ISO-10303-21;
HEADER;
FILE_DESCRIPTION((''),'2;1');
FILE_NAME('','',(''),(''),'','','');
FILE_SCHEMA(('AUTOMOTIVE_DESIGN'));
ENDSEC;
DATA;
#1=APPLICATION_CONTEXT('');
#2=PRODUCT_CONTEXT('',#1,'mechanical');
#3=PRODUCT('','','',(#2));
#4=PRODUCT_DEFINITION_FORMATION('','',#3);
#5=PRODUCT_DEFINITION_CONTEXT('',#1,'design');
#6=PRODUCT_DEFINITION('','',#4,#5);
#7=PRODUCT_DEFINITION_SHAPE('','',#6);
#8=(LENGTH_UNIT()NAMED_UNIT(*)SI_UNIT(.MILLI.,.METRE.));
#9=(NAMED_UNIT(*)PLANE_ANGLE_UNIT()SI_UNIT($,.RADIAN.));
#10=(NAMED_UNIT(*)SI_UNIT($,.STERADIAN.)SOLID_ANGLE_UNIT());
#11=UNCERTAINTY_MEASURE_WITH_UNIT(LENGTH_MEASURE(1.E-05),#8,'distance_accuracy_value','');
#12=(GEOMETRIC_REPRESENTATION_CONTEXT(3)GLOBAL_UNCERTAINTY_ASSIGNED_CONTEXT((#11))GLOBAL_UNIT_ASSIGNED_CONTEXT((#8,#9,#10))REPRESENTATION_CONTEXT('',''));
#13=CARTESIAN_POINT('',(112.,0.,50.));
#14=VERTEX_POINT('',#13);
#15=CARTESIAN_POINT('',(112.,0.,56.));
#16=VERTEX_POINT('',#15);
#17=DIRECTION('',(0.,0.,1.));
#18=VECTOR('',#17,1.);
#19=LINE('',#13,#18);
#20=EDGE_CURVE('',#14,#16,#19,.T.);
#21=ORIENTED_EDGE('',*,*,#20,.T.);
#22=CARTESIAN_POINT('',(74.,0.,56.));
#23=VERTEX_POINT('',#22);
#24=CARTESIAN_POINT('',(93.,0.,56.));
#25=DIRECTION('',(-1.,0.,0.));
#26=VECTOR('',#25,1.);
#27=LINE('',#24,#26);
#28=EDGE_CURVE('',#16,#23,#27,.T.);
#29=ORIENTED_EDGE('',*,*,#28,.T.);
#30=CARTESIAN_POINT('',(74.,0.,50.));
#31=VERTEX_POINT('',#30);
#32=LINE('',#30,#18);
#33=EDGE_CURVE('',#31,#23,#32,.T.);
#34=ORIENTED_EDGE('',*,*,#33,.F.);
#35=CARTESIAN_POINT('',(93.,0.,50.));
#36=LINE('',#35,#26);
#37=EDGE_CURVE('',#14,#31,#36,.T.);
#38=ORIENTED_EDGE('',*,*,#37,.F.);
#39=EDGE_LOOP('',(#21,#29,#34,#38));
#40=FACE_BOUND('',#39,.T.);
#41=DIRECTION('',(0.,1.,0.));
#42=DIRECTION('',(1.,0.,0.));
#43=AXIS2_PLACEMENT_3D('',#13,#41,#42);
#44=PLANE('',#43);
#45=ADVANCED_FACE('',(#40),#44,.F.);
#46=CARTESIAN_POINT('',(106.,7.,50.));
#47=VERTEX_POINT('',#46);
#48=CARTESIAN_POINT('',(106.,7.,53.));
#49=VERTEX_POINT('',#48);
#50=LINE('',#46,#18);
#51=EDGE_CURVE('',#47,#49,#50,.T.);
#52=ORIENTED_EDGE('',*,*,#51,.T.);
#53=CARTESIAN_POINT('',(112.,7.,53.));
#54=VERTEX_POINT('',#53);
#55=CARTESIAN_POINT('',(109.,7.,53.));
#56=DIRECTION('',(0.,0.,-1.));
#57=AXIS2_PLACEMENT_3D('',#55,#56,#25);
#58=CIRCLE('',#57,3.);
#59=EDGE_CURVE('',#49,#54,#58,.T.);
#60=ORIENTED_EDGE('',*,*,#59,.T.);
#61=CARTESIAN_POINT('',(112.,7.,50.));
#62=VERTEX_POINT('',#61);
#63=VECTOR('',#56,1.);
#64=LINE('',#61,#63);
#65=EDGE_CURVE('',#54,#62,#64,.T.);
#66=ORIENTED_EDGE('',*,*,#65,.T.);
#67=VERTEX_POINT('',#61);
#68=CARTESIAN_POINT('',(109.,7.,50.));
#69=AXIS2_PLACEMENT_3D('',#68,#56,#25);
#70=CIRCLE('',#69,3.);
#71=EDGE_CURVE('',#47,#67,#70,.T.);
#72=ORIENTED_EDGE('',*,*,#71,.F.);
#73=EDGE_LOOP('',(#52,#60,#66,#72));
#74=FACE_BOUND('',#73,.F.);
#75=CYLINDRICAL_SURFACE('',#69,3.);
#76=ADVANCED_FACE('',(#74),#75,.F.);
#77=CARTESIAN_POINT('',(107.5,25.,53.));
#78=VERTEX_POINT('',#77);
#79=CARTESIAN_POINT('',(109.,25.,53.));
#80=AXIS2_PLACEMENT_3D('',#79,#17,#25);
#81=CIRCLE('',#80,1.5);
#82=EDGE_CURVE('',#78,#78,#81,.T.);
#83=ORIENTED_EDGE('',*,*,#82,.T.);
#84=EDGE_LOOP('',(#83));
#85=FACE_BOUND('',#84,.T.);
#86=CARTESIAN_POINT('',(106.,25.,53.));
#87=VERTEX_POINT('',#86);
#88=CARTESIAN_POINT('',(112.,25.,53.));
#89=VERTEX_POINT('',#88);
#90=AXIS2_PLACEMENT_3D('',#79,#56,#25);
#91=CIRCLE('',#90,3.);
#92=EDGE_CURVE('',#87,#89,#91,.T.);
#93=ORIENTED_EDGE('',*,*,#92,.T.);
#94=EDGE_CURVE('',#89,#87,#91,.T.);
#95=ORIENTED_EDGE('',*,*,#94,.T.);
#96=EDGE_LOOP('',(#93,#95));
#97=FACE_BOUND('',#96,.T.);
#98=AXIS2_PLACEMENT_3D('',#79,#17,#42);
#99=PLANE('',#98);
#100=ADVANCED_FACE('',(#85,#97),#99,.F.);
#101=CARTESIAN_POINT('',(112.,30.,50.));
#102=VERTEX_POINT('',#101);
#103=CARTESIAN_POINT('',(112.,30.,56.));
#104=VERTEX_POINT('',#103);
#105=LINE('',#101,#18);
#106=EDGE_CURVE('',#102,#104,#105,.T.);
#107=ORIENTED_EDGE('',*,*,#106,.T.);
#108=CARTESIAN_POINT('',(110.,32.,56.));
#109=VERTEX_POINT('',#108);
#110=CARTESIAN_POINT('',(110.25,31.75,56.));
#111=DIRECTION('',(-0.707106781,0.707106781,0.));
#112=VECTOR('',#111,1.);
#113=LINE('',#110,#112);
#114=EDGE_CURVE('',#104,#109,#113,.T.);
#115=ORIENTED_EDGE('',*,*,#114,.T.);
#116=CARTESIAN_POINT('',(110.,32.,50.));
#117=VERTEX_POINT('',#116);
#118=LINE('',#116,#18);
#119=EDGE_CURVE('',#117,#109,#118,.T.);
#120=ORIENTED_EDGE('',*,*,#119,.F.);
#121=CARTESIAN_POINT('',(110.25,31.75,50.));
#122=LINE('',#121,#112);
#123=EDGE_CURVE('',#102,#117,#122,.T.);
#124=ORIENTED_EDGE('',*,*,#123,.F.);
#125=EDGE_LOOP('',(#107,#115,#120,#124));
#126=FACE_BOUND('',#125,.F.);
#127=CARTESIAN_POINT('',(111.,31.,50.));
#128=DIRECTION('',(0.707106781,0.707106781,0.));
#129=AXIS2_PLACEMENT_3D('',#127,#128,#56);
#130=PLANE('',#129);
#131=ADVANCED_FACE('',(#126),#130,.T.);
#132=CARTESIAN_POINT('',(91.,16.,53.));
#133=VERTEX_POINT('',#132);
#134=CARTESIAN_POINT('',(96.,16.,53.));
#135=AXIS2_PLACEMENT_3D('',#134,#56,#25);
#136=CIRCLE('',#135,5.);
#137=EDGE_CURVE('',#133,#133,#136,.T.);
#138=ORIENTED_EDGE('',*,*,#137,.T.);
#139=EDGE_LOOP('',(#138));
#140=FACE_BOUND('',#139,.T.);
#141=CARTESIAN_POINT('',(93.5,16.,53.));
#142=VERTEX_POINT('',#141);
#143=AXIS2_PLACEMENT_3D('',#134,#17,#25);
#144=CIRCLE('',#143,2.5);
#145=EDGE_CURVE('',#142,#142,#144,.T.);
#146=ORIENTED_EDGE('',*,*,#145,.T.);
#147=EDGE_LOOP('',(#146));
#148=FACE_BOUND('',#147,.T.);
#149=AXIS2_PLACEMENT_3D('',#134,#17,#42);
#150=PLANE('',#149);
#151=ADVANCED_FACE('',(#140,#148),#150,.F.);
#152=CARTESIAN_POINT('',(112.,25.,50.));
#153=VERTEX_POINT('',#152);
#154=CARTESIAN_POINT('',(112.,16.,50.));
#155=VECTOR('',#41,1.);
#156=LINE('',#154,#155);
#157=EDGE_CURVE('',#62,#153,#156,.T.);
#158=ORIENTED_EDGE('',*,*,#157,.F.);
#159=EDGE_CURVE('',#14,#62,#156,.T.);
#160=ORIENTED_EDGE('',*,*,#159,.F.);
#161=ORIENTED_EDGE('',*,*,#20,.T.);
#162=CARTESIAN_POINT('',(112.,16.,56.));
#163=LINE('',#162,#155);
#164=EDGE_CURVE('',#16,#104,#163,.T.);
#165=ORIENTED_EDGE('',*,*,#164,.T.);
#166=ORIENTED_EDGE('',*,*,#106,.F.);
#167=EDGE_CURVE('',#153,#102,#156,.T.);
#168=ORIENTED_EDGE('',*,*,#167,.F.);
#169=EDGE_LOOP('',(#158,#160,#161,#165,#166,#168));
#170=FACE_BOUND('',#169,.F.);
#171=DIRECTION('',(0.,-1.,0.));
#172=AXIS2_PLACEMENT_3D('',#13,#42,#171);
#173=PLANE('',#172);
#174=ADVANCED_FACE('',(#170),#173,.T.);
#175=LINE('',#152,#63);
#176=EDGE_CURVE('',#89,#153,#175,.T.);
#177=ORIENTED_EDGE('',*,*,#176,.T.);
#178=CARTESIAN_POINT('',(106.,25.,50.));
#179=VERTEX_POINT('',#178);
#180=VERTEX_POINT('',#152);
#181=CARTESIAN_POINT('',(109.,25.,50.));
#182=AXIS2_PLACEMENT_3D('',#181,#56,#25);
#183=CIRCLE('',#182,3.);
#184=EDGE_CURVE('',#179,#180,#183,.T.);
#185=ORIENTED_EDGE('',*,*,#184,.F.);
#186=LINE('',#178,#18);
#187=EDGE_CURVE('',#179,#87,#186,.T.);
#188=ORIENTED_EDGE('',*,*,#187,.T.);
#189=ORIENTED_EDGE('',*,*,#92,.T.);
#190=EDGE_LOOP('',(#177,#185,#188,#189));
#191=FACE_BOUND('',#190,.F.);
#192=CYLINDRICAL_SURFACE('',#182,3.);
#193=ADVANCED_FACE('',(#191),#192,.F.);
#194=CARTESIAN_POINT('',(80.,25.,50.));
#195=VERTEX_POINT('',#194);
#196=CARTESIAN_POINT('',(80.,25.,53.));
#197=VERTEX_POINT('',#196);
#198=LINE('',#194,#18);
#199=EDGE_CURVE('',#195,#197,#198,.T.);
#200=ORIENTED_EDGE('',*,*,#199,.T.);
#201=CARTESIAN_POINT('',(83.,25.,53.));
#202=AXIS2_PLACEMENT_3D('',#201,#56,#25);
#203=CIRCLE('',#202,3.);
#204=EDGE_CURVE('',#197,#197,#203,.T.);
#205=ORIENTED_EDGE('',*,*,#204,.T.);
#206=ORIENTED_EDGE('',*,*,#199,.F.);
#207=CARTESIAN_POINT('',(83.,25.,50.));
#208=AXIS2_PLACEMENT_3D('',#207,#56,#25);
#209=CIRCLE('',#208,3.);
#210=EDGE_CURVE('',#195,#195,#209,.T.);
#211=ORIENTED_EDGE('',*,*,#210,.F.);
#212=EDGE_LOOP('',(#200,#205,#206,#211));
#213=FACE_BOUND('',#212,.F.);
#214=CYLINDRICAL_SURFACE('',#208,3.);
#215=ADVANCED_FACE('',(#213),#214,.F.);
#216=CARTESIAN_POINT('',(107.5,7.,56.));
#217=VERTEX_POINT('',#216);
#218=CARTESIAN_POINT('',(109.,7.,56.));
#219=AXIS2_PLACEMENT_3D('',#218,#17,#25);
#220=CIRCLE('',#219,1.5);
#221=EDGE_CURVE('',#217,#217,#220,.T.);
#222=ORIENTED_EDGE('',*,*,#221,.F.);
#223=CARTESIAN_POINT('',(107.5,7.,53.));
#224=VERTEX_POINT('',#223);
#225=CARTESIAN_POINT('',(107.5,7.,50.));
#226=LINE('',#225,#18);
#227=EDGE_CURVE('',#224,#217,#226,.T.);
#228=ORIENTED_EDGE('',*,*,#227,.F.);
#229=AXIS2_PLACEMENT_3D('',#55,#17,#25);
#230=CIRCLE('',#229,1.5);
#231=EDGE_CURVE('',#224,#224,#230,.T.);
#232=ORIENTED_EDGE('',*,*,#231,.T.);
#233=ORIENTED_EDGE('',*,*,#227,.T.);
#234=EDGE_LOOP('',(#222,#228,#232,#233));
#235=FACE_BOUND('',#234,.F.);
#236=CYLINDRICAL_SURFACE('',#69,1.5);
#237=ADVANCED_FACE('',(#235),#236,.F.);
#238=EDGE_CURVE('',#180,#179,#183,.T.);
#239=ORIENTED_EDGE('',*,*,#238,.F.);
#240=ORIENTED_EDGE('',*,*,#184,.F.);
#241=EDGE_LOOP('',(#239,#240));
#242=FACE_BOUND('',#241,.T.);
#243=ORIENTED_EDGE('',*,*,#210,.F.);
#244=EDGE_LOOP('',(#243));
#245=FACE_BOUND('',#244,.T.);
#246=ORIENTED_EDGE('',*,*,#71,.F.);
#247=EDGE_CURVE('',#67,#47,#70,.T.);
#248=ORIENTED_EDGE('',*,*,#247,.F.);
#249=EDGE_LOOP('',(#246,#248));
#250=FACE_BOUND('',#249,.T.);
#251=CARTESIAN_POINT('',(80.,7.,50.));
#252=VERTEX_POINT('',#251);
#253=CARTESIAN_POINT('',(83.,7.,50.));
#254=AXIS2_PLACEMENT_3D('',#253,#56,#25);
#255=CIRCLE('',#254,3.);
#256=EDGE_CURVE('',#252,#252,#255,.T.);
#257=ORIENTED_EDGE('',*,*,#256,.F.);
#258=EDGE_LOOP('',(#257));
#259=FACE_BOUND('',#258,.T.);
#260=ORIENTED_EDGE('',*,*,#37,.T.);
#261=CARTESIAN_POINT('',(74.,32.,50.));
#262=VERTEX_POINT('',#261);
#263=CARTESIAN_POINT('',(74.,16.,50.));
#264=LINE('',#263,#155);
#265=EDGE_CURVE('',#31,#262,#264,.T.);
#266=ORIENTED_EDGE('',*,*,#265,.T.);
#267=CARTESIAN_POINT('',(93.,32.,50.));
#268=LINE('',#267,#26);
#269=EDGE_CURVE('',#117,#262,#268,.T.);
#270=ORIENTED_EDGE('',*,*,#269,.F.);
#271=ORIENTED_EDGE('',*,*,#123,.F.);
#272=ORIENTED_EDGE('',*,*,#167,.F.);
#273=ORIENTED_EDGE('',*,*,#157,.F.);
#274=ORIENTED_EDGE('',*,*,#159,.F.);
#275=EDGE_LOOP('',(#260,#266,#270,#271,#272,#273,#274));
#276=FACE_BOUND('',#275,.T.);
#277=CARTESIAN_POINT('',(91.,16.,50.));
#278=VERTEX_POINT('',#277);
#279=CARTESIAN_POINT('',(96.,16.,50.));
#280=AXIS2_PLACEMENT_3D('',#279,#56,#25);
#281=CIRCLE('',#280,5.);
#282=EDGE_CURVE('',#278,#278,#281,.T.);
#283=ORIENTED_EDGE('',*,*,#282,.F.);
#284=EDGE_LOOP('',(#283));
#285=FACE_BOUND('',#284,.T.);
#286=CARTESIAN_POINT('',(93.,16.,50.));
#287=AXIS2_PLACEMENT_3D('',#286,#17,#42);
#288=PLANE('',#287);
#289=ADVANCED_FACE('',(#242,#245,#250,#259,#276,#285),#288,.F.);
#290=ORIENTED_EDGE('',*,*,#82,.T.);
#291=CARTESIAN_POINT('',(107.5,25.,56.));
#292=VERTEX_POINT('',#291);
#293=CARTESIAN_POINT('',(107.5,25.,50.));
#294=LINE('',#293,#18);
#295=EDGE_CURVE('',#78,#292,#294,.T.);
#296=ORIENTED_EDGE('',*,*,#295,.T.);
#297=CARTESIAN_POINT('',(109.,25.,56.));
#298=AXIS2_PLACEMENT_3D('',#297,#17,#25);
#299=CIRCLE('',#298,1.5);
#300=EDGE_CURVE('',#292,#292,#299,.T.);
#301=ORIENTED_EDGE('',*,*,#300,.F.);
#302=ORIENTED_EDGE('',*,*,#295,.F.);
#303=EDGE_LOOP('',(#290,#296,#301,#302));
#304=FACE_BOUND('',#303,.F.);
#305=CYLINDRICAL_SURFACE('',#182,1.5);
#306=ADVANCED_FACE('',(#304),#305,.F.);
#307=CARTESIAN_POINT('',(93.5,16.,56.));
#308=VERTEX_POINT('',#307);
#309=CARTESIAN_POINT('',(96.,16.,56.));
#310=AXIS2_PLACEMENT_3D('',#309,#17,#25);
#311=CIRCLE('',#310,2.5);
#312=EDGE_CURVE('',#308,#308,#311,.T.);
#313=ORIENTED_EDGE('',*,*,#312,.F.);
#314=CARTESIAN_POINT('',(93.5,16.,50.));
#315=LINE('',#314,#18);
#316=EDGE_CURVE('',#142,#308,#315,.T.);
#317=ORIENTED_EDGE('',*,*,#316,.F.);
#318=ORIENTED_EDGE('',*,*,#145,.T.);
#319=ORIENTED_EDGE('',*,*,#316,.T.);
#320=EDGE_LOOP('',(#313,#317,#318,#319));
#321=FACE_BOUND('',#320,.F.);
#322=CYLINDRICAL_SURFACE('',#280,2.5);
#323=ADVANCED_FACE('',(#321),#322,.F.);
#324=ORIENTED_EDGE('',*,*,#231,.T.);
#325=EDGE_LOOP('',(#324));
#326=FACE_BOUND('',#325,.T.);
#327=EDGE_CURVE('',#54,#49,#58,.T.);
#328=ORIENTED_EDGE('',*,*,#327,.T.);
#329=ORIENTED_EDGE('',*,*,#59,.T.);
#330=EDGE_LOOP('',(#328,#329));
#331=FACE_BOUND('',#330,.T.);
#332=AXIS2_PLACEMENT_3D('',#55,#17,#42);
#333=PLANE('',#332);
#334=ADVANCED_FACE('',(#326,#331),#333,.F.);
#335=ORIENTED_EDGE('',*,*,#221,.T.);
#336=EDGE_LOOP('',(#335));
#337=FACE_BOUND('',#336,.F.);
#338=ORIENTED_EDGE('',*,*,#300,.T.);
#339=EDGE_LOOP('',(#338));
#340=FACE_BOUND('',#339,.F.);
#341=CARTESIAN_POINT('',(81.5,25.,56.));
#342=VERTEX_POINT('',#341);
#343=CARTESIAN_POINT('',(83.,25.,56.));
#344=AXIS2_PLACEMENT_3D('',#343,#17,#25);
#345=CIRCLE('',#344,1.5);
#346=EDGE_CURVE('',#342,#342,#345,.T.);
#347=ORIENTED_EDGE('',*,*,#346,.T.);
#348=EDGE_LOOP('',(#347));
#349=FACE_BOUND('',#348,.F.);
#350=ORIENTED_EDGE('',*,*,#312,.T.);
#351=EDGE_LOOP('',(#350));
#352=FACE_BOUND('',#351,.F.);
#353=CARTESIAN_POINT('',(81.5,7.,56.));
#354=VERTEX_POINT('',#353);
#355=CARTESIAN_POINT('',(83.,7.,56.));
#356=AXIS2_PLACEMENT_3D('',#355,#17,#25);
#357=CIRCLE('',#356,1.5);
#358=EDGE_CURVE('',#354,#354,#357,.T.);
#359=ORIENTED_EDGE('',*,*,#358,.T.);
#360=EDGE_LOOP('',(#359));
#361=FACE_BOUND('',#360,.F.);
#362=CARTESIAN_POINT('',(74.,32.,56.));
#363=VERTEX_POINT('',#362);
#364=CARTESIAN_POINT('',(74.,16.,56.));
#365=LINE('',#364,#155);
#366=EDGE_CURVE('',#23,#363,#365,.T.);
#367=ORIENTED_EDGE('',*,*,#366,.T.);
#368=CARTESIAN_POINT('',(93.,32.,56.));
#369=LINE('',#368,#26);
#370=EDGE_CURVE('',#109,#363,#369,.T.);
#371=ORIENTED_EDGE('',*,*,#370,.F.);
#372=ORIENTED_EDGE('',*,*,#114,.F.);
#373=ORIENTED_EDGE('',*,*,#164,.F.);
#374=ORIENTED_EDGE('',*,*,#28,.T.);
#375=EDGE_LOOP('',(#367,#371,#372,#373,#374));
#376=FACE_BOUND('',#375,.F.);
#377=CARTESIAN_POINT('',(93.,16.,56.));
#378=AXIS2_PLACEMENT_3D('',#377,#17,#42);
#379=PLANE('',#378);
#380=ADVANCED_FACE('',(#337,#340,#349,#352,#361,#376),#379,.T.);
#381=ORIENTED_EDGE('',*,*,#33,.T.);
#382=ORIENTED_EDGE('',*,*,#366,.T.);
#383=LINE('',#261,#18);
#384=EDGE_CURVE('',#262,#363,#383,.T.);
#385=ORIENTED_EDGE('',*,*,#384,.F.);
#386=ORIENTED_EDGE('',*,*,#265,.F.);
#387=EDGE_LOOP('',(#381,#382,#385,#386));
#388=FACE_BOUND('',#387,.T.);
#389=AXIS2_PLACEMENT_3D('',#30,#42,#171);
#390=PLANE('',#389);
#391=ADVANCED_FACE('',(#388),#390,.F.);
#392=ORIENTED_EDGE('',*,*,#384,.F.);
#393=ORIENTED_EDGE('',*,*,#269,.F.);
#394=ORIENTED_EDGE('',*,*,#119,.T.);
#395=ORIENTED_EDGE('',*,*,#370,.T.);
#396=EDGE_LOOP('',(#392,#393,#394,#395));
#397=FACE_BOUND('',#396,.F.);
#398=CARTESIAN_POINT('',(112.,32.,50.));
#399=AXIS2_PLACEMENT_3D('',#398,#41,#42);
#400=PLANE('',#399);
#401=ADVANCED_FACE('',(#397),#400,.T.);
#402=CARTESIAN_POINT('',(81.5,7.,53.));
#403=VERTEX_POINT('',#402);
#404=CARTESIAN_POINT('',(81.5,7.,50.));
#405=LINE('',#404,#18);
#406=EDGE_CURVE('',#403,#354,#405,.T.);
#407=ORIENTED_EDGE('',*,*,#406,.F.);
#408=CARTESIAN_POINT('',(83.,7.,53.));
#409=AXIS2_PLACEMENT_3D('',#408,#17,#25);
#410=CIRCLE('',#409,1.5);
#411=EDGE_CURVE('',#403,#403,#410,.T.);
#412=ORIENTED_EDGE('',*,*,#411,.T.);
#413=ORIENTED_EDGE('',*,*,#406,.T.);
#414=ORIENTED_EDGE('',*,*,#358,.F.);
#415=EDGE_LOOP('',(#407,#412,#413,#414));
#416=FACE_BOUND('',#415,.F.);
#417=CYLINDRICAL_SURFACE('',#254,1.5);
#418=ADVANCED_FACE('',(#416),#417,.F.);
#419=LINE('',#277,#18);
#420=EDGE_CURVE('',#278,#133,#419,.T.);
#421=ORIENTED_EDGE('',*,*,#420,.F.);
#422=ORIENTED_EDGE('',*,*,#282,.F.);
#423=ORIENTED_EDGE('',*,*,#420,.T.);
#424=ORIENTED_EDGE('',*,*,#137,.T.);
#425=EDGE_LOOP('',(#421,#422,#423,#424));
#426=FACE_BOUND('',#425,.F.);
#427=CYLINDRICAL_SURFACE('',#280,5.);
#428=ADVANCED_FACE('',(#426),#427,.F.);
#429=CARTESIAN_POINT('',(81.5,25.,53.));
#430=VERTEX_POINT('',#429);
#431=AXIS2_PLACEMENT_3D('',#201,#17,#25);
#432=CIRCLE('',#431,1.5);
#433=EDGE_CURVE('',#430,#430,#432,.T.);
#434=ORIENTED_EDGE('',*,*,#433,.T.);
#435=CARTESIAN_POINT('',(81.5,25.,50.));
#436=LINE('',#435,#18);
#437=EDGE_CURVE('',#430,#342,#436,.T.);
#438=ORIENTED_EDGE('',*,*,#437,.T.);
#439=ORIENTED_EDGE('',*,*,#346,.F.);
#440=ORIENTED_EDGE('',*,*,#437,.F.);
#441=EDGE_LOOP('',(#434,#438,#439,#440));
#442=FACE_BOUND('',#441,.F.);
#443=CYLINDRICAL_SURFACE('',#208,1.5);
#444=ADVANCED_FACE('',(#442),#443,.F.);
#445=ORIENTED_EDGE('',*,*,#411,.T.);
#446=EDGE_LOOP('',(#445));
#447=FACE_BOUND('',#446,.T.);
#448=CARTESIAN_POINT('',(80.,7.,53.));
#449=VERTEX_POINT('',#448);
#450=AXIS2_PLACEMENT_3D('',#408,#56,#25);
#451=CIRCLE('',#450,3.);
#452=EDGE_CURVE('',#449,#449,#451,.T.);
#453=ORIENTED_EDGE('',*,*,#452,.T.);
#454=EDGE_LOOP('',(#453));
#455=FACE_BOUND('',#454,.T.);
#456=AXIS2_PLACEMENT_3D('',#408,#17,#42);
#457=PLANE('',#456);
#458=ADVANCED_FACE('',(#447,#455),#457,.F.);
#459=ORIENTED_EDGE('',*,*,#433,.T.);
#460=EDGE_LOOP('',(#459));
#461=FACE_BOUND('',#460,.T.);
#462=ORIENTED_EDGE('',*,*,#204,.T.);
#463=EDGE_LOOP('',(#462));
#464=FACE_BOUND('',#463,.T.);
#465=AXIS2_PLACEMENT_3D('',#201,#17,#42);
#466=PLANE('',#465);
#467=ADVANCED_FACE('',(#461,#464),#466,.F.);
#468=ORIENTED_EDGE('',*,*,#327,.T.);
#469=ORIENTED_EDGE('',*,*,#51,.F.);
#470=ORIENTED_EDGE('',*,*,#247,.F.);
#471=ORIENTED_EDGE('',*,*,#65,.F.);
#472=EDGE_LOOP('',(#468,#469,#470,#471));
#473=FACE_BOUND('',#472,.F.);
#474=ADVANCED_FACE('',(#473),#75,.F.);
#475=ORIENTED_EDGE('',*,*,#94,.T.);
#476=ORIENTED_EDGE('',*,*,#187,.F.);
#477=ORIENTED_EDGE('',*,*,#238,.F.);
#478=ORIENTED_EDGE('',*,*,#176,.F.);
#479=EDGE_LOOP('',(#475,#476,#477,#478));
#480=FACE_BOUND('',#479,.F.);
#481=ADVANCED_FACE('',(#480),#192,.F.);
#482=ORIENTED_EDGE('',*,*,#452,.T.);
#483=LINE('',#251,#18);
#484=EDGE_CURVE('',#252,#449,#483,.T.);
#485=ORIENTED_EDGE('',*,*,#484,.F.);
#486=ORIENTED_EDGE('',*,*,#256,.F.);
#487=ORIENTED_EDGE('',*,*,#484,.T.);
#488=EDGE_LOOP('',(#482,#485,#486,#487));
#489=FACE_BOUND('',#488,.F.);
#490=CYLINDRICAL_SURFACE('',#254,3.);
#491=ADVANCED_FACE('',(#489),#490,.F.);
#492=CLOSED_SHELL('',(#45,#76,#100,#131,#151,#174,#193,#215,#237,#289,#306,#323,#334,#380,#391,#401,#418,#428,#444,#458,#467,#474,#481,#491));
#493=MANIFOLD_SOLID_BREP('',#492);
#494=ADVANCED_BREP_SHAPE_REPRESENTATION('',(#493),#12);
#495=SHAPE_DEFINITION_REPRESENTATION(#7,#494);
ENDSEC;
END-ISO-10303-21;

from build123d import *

# Parameters (mm, degrees)
CYLINDER918_R     = 5
CYLINDER918_DEPTH = 3
CYLINDER913_R     = 2.5
CYLINDER913_DEPTH = 20
CYLINDER909_R     = 1.5
CYLINDER909_DEPTH = 20
CYLINDER910_R     = 1.5
CYLINDER910_DEPTH = 20
CYLINDER916_R     = 1.5
CYLINDER916_DEPTH = 20
CYLINDER912_R     = 1.5
CYLINDER912_DEPTH = 20
CYLINDER911_R     = 3
CYLINDER911_DEPTH = 3
CYLINDER917_R     = 3
CYLINDER917_DEPTH = 3
CYLINDER915_R     = 3
CYLINDER915_DEPTH = 3
CYLINDER914_R     = 3
CYLINDER914_DEPTH = 3
BOX433_W          = 38
BOX433_H          = 32
BOX433_DEPTH      = 6
CHAMFER005_SIZE   = 2


with BuildPart() as v_lec918:
    # Cylinder918 → Cylinder918 (new body)
    with BuildSketch(Plane(origin=(-96, 16, 50), x_dir=(1, 0, 0), z_dir=(0, 0, 1))):
        Circle(CYLINDER918_R)
    extrude(amount=CYLINDER918_DEPTH)


with BuildPart() as v_lec913:
    # Cylinder913 → Cylinder913 (new body)
    with BuildSketch(Plane(origin=(-96, 16, 50), x_dir=(1, 0, 0), z_dir=(0, 0, 1))):
        Circle(CYLINDER913_R)
    extrude(amount=CYLINDER913_DEPTH)


with BuildPart() as v_lec909:
    # Cylinder909 → Cylinder909 (new body)
    with BuildSketch(Plane(origin=(-83, 25, 54), x_dir=(1, 0, 0), z_dir=(0, 0, 1))):
        Circle(CYLINDER909_R)
    extrude(amount=CYLINDER909_DEPTH)


with BuildPart() as v_lec910:
    # Cylinder910 → Cylinder910 (new body)
    with BuildSketch(Plane(origin=(-109, 7, 54), x_dir=(1, 0, 0), z_dir=(0, 0, 1))):
        Circle(CYLINDER910_R)
    extrude(amount=CYLINDER910_DEPTH)


with BuildPart() as v_lec916:
    # Cylinder916 → Cylinder916 (new body)
    with BuildSketch(Plane(origin=(-109, 25, 54), x_dir=(1, 0, 0), z_dir=(0, 0, 1))):
        Circle(CYLINDER916_R)
    extrude(amount=CYLINDER916_DEPTH)


with BuildPart() as compound499:
    # Cylinder912 → Cylinder912 (new body)
    with BuildSketch(Plane(origin=(-83, 7, 54), x_dir=(1, 0, 0), z_dir=(0, 0, 1))):
        Circle(CYLINDER912_R)
    extrude(amount=CYLINDER912_DEPTH)

    # Compound499: union Válec909, Válec910, Válec916
    add(v_lec909.part)
    add(v_lec910.part)
    add(v_lec916.part)


with BuildPart() as compound499_1:
    # Compound499 placement: moved
    add(compound499.part.moved(Location((0, 0, -4))))


with BuildPart() as v_lec911:
    # Cylinder911 → Cylinder911 (new body)
    with BuildSketch(Plane(origin=(-83, 25, 54), x_dir=(1, 0, 0), z_dir=(0, 0, 1))):
        Circle(CYLINDER911_R)
    extrude(amount=CYLINDER911_DEPTH)


with BuildPart() as v_lec917:
    # Cylinder917 → Cylinder917 (new body)
    with BuildSketch(Plane(origin=(-109, 7, 54), x_dir=(1, 0, 0), z_dir=(0, 0, 1))):
        Circle(CYLINDER917_R)
    extrude(amount=CYLINDER917_DEPTH)


with BuildPart() as v_lec915:
    # Cylinder915 → Cylinder915 (new body)
    with BuildSketch(Plane(origin=(-109, 25, 54), x_dir=(1, 0, 0), z_dir=(0, 0, 1))):
        Circle(CYLINDER915_R)
    extrude(amount=CYLINDER915_DEPTH)


with BuildPart() as compound500:
    # Cylinder914 → Cylinder914 (new body)
    with BuildSketch(Plane(origin=(-83, 7, 54), x_dir=(1, 0, 0), z_dir=(0, 0, 1))):
        Circle(CYLINDER914_R)
    extrude(amount=CYLINDER914_DEPTH)

    # Compound500: union Válec911, Válec917, Válec915
    add(v_lec911.part)
    add(v_lec917.part)
    add(v_lec915.part)


with BuildPart() as compound500_1:
    # Compound500 placement: moved
    add(compound500.part.moved(Location((0, 0, -4))))


with BuildPart() as stabilo_cavo_left001:
    # Box433 → Box433 (new body)
    with BuildSketch(Plane(origin=(-112, 0, 50), x_dir=(1, 0, 0), z_dir=(0, 0, 1))):
        with Locations((19, 16)):
            Rectangle(BOX433_W, BOX433_H)
    extrude(amount=BOX433_DEPTH)

    # Cut411: cut Compound500
    add(compound500_1.part, mode=Mode.SUBTRACT)

    # Cut414: cut Compound499
    add(compound499_1.part, mode=Mode.SUBTRACT)

    # Cut413: cut Válec913
    add(v_lec913.part, mode=Mode.SUBTRACT)

    # Cut412: cut Válec918
    add(v_lec918.part, mode=Mode.SUBTRACT)

    # Chamfer005
    chamfer005_edges = [stabilo_cavo_left001.edges().sort_by_distance(p)[0] for p in [
        (-112, 32, 53),
    ]]
    chamfer(chamfer005_edges, length=CHAMFER005_SIZE)


with BuildPart() as base_stabil_cover_right:
    # mirror001: instance of stabilo_cavo_left001
    add(stabilo_cavo_left001.part.mirror(Plane(origin=(0, 0, 0), x_dir=(0, -1, 0), z_dir=(1, 0, 0))))


solid = base_stabil_cover_right.part
